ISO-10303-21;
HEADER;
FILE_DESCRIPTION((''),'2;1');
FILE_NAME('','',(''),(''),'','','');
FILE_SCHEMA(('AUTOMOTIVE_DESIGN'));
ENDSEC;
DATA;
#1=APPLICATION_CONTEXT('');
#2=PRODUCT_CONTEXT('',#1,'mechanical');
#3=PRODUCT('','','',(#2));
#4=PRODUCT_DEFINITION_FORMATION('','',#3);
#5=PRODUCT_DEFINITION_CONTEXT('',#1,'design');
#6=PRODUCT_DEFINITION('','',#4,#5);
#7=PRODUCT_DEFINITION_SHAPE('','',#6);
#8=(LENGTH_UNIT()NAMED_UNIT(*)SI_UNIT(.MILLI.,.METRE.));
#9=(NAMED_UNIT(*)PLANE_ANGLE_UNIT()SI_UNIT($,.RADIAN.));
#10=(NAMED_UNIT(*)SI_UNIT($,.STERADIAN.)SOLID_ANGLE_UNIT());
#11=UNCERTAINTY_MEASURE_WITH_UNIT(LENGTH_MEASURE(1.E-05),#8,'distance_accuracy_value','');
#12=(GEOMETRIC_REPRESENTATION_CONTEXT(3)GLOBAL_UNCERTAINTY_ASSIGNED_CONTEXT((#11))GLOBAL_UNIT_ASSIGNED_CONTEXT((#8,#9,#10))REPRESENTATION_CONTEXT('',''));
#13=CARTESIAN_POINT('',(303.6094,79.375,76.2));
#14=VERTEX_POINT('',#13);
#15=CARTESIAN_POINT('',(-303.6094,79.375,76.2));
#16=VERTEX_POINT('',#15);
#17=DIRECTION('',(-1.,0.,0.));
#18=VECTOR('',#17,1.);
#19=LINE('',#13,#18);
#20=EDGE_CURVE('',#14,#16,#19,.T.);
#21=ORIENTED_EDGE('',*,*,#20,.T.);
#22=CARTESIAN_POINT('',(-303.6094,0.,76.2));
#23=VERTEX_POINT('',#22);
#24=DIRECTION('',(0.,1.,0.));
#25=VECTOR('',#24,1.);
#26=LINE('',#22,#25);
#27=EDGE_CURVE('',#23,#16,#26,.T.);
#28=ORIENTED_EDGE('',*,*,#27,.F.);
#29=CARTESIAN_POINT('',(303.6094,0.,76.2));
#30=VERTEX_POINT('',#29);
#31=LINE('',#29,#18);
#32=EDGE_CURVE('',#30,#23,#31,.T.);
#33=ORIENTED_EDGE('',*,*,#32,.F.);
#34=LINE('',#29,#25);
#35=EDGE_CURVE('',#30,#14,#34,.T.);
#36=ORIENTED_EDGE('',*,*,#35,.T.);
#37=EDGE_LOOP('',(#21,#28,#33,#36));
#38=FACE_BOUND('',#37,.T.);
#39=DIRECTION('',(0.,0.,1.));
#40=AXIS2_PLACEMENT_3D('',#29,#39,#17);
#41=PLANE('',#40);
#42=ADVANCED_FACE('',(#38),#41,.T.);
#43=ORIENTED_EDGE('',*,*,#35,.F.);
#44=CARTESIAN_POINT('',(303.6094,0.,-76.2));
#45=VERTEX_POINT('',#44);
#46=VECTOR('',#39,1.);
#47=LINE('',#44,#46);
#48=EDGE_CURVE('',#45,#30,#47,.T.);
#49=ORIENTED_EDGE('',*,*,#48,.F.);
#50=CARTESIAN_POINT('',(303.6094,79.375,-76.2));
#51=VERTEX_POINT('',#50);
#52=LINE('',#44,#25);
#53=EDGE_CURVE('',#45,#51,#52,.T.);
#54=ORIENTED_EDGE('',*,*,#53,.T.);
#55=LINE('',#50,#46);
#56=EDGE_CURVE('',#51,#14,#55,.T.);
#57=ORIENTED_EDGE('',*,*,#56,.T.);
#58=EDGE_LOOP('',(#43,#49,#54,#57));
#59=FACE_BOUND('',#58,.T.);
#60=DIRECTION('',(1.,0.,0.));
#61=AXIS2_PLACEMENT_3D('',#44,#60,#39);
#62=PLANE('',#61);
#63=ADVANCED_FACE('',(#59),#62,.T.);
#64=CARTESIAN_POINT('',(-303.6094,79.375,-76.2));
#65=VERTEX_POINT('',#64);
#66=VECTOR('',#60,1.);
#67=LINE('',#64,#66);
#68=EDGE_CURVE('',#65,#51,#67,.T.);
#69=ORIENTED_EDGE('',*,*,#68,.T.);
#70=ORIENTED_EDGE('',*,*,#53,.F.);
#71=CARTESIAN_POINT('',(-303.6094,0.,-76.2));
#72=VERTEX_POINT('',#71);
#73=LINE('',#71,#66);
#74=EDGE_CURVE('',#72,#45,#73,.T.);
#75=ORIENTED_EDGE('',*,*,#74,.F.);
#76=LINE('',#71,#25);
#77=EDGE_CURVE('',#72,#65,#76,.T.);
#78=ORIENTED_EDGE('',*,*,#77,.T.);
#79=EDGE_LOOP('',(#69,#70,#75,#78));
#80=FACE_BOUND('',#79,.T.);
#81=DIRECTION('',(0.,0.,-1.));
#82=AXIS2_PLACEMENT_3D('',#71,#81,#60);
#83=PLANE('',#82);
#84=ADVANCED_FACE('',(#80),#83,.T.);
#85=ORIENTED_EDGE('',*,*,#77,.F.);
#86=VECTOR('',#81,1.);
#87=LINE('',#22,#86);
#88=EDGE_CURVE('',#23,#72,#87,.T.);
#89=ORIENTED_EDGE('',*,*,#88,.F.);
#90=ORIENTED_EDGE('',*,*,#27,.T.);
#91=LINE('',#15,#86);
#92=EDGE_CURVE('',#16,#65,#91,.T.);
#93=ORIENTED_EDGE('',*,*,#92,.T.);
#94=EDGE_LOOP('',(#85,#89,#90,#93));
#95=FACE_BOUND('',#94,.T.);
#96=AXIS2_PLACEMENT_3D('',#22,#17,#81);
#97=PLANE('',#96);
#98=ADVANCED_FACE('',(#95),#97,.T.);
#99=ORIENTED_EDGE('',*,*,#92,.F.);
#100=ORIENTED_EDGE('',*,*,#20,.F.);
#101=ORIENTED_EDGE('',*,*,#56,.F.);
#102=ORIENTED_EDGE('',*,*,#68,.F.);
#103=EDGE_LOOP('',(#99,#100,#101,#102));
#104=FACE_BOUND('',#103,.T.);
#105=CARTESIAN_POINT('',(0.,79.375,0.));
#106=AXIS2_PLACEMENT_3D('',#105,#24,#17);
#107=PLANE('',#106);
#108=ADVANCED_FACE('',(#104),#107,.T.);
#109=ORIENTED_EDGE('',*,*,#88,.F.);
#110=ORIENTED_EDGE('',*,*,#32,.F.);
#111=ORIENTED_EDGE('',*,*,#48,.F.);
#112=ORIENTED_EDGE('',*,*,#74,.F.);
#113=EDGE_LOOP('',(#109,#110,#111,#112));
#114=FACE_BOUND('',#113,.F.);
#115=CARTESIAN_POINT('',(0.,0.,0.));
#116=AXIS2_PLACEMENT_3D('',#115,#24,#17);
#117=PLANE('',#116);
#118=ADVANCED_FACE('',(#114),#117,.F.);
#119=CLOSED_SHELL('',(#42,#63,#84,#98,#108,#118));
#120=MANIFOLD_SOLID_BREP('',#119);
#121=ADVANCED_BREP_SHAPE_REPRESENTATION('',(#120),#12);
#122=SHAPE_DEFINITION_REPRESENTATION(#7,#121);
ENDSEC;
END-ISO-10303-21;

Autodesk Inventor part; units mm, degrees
ref_plane "YZ Plane" through (0, 0, 0) normal (1, 0, 0) x (0, 1, 0)
ref_plane "XZ Plane" through (0, 0, 0) normal (0, 1, 0) x (-1, 0, 0)
ref_plane "XY Plane" through (0, 0, 0) normal (0, 0, 1) x (1, 0, 0)
sketch "Sketch1" plane through (0, 0, 0) normal (0, 1, 0) x (-1, 0, 0)
  line L0 (303.6094, -76.2) -> (-303.6094, -76.2)
  line L1 (-303.6094, -76.2) -> (-303.6094, 76.2)
  line L2 (-303.6094, 76.2) -> (303.6094, 76.2)
  line L3 (303.6094, 76.2) -> (303.6094, -76.2)
  line L4 (303.6094, -76.2) -> (-303.6094, 76.2) construction
  line L5 (-303.6094, -76.2) -> (303.6094, 76.2) construction
  point P0 (0, 0)
  dimension "d0" = 607.2188
  dimension "d1" = 152.4
extrude "Extrusion1" add sketch "Sketch1" along normal blind 79.375
properties part number "Paver type 2-pedestrian" material "Limestone"
